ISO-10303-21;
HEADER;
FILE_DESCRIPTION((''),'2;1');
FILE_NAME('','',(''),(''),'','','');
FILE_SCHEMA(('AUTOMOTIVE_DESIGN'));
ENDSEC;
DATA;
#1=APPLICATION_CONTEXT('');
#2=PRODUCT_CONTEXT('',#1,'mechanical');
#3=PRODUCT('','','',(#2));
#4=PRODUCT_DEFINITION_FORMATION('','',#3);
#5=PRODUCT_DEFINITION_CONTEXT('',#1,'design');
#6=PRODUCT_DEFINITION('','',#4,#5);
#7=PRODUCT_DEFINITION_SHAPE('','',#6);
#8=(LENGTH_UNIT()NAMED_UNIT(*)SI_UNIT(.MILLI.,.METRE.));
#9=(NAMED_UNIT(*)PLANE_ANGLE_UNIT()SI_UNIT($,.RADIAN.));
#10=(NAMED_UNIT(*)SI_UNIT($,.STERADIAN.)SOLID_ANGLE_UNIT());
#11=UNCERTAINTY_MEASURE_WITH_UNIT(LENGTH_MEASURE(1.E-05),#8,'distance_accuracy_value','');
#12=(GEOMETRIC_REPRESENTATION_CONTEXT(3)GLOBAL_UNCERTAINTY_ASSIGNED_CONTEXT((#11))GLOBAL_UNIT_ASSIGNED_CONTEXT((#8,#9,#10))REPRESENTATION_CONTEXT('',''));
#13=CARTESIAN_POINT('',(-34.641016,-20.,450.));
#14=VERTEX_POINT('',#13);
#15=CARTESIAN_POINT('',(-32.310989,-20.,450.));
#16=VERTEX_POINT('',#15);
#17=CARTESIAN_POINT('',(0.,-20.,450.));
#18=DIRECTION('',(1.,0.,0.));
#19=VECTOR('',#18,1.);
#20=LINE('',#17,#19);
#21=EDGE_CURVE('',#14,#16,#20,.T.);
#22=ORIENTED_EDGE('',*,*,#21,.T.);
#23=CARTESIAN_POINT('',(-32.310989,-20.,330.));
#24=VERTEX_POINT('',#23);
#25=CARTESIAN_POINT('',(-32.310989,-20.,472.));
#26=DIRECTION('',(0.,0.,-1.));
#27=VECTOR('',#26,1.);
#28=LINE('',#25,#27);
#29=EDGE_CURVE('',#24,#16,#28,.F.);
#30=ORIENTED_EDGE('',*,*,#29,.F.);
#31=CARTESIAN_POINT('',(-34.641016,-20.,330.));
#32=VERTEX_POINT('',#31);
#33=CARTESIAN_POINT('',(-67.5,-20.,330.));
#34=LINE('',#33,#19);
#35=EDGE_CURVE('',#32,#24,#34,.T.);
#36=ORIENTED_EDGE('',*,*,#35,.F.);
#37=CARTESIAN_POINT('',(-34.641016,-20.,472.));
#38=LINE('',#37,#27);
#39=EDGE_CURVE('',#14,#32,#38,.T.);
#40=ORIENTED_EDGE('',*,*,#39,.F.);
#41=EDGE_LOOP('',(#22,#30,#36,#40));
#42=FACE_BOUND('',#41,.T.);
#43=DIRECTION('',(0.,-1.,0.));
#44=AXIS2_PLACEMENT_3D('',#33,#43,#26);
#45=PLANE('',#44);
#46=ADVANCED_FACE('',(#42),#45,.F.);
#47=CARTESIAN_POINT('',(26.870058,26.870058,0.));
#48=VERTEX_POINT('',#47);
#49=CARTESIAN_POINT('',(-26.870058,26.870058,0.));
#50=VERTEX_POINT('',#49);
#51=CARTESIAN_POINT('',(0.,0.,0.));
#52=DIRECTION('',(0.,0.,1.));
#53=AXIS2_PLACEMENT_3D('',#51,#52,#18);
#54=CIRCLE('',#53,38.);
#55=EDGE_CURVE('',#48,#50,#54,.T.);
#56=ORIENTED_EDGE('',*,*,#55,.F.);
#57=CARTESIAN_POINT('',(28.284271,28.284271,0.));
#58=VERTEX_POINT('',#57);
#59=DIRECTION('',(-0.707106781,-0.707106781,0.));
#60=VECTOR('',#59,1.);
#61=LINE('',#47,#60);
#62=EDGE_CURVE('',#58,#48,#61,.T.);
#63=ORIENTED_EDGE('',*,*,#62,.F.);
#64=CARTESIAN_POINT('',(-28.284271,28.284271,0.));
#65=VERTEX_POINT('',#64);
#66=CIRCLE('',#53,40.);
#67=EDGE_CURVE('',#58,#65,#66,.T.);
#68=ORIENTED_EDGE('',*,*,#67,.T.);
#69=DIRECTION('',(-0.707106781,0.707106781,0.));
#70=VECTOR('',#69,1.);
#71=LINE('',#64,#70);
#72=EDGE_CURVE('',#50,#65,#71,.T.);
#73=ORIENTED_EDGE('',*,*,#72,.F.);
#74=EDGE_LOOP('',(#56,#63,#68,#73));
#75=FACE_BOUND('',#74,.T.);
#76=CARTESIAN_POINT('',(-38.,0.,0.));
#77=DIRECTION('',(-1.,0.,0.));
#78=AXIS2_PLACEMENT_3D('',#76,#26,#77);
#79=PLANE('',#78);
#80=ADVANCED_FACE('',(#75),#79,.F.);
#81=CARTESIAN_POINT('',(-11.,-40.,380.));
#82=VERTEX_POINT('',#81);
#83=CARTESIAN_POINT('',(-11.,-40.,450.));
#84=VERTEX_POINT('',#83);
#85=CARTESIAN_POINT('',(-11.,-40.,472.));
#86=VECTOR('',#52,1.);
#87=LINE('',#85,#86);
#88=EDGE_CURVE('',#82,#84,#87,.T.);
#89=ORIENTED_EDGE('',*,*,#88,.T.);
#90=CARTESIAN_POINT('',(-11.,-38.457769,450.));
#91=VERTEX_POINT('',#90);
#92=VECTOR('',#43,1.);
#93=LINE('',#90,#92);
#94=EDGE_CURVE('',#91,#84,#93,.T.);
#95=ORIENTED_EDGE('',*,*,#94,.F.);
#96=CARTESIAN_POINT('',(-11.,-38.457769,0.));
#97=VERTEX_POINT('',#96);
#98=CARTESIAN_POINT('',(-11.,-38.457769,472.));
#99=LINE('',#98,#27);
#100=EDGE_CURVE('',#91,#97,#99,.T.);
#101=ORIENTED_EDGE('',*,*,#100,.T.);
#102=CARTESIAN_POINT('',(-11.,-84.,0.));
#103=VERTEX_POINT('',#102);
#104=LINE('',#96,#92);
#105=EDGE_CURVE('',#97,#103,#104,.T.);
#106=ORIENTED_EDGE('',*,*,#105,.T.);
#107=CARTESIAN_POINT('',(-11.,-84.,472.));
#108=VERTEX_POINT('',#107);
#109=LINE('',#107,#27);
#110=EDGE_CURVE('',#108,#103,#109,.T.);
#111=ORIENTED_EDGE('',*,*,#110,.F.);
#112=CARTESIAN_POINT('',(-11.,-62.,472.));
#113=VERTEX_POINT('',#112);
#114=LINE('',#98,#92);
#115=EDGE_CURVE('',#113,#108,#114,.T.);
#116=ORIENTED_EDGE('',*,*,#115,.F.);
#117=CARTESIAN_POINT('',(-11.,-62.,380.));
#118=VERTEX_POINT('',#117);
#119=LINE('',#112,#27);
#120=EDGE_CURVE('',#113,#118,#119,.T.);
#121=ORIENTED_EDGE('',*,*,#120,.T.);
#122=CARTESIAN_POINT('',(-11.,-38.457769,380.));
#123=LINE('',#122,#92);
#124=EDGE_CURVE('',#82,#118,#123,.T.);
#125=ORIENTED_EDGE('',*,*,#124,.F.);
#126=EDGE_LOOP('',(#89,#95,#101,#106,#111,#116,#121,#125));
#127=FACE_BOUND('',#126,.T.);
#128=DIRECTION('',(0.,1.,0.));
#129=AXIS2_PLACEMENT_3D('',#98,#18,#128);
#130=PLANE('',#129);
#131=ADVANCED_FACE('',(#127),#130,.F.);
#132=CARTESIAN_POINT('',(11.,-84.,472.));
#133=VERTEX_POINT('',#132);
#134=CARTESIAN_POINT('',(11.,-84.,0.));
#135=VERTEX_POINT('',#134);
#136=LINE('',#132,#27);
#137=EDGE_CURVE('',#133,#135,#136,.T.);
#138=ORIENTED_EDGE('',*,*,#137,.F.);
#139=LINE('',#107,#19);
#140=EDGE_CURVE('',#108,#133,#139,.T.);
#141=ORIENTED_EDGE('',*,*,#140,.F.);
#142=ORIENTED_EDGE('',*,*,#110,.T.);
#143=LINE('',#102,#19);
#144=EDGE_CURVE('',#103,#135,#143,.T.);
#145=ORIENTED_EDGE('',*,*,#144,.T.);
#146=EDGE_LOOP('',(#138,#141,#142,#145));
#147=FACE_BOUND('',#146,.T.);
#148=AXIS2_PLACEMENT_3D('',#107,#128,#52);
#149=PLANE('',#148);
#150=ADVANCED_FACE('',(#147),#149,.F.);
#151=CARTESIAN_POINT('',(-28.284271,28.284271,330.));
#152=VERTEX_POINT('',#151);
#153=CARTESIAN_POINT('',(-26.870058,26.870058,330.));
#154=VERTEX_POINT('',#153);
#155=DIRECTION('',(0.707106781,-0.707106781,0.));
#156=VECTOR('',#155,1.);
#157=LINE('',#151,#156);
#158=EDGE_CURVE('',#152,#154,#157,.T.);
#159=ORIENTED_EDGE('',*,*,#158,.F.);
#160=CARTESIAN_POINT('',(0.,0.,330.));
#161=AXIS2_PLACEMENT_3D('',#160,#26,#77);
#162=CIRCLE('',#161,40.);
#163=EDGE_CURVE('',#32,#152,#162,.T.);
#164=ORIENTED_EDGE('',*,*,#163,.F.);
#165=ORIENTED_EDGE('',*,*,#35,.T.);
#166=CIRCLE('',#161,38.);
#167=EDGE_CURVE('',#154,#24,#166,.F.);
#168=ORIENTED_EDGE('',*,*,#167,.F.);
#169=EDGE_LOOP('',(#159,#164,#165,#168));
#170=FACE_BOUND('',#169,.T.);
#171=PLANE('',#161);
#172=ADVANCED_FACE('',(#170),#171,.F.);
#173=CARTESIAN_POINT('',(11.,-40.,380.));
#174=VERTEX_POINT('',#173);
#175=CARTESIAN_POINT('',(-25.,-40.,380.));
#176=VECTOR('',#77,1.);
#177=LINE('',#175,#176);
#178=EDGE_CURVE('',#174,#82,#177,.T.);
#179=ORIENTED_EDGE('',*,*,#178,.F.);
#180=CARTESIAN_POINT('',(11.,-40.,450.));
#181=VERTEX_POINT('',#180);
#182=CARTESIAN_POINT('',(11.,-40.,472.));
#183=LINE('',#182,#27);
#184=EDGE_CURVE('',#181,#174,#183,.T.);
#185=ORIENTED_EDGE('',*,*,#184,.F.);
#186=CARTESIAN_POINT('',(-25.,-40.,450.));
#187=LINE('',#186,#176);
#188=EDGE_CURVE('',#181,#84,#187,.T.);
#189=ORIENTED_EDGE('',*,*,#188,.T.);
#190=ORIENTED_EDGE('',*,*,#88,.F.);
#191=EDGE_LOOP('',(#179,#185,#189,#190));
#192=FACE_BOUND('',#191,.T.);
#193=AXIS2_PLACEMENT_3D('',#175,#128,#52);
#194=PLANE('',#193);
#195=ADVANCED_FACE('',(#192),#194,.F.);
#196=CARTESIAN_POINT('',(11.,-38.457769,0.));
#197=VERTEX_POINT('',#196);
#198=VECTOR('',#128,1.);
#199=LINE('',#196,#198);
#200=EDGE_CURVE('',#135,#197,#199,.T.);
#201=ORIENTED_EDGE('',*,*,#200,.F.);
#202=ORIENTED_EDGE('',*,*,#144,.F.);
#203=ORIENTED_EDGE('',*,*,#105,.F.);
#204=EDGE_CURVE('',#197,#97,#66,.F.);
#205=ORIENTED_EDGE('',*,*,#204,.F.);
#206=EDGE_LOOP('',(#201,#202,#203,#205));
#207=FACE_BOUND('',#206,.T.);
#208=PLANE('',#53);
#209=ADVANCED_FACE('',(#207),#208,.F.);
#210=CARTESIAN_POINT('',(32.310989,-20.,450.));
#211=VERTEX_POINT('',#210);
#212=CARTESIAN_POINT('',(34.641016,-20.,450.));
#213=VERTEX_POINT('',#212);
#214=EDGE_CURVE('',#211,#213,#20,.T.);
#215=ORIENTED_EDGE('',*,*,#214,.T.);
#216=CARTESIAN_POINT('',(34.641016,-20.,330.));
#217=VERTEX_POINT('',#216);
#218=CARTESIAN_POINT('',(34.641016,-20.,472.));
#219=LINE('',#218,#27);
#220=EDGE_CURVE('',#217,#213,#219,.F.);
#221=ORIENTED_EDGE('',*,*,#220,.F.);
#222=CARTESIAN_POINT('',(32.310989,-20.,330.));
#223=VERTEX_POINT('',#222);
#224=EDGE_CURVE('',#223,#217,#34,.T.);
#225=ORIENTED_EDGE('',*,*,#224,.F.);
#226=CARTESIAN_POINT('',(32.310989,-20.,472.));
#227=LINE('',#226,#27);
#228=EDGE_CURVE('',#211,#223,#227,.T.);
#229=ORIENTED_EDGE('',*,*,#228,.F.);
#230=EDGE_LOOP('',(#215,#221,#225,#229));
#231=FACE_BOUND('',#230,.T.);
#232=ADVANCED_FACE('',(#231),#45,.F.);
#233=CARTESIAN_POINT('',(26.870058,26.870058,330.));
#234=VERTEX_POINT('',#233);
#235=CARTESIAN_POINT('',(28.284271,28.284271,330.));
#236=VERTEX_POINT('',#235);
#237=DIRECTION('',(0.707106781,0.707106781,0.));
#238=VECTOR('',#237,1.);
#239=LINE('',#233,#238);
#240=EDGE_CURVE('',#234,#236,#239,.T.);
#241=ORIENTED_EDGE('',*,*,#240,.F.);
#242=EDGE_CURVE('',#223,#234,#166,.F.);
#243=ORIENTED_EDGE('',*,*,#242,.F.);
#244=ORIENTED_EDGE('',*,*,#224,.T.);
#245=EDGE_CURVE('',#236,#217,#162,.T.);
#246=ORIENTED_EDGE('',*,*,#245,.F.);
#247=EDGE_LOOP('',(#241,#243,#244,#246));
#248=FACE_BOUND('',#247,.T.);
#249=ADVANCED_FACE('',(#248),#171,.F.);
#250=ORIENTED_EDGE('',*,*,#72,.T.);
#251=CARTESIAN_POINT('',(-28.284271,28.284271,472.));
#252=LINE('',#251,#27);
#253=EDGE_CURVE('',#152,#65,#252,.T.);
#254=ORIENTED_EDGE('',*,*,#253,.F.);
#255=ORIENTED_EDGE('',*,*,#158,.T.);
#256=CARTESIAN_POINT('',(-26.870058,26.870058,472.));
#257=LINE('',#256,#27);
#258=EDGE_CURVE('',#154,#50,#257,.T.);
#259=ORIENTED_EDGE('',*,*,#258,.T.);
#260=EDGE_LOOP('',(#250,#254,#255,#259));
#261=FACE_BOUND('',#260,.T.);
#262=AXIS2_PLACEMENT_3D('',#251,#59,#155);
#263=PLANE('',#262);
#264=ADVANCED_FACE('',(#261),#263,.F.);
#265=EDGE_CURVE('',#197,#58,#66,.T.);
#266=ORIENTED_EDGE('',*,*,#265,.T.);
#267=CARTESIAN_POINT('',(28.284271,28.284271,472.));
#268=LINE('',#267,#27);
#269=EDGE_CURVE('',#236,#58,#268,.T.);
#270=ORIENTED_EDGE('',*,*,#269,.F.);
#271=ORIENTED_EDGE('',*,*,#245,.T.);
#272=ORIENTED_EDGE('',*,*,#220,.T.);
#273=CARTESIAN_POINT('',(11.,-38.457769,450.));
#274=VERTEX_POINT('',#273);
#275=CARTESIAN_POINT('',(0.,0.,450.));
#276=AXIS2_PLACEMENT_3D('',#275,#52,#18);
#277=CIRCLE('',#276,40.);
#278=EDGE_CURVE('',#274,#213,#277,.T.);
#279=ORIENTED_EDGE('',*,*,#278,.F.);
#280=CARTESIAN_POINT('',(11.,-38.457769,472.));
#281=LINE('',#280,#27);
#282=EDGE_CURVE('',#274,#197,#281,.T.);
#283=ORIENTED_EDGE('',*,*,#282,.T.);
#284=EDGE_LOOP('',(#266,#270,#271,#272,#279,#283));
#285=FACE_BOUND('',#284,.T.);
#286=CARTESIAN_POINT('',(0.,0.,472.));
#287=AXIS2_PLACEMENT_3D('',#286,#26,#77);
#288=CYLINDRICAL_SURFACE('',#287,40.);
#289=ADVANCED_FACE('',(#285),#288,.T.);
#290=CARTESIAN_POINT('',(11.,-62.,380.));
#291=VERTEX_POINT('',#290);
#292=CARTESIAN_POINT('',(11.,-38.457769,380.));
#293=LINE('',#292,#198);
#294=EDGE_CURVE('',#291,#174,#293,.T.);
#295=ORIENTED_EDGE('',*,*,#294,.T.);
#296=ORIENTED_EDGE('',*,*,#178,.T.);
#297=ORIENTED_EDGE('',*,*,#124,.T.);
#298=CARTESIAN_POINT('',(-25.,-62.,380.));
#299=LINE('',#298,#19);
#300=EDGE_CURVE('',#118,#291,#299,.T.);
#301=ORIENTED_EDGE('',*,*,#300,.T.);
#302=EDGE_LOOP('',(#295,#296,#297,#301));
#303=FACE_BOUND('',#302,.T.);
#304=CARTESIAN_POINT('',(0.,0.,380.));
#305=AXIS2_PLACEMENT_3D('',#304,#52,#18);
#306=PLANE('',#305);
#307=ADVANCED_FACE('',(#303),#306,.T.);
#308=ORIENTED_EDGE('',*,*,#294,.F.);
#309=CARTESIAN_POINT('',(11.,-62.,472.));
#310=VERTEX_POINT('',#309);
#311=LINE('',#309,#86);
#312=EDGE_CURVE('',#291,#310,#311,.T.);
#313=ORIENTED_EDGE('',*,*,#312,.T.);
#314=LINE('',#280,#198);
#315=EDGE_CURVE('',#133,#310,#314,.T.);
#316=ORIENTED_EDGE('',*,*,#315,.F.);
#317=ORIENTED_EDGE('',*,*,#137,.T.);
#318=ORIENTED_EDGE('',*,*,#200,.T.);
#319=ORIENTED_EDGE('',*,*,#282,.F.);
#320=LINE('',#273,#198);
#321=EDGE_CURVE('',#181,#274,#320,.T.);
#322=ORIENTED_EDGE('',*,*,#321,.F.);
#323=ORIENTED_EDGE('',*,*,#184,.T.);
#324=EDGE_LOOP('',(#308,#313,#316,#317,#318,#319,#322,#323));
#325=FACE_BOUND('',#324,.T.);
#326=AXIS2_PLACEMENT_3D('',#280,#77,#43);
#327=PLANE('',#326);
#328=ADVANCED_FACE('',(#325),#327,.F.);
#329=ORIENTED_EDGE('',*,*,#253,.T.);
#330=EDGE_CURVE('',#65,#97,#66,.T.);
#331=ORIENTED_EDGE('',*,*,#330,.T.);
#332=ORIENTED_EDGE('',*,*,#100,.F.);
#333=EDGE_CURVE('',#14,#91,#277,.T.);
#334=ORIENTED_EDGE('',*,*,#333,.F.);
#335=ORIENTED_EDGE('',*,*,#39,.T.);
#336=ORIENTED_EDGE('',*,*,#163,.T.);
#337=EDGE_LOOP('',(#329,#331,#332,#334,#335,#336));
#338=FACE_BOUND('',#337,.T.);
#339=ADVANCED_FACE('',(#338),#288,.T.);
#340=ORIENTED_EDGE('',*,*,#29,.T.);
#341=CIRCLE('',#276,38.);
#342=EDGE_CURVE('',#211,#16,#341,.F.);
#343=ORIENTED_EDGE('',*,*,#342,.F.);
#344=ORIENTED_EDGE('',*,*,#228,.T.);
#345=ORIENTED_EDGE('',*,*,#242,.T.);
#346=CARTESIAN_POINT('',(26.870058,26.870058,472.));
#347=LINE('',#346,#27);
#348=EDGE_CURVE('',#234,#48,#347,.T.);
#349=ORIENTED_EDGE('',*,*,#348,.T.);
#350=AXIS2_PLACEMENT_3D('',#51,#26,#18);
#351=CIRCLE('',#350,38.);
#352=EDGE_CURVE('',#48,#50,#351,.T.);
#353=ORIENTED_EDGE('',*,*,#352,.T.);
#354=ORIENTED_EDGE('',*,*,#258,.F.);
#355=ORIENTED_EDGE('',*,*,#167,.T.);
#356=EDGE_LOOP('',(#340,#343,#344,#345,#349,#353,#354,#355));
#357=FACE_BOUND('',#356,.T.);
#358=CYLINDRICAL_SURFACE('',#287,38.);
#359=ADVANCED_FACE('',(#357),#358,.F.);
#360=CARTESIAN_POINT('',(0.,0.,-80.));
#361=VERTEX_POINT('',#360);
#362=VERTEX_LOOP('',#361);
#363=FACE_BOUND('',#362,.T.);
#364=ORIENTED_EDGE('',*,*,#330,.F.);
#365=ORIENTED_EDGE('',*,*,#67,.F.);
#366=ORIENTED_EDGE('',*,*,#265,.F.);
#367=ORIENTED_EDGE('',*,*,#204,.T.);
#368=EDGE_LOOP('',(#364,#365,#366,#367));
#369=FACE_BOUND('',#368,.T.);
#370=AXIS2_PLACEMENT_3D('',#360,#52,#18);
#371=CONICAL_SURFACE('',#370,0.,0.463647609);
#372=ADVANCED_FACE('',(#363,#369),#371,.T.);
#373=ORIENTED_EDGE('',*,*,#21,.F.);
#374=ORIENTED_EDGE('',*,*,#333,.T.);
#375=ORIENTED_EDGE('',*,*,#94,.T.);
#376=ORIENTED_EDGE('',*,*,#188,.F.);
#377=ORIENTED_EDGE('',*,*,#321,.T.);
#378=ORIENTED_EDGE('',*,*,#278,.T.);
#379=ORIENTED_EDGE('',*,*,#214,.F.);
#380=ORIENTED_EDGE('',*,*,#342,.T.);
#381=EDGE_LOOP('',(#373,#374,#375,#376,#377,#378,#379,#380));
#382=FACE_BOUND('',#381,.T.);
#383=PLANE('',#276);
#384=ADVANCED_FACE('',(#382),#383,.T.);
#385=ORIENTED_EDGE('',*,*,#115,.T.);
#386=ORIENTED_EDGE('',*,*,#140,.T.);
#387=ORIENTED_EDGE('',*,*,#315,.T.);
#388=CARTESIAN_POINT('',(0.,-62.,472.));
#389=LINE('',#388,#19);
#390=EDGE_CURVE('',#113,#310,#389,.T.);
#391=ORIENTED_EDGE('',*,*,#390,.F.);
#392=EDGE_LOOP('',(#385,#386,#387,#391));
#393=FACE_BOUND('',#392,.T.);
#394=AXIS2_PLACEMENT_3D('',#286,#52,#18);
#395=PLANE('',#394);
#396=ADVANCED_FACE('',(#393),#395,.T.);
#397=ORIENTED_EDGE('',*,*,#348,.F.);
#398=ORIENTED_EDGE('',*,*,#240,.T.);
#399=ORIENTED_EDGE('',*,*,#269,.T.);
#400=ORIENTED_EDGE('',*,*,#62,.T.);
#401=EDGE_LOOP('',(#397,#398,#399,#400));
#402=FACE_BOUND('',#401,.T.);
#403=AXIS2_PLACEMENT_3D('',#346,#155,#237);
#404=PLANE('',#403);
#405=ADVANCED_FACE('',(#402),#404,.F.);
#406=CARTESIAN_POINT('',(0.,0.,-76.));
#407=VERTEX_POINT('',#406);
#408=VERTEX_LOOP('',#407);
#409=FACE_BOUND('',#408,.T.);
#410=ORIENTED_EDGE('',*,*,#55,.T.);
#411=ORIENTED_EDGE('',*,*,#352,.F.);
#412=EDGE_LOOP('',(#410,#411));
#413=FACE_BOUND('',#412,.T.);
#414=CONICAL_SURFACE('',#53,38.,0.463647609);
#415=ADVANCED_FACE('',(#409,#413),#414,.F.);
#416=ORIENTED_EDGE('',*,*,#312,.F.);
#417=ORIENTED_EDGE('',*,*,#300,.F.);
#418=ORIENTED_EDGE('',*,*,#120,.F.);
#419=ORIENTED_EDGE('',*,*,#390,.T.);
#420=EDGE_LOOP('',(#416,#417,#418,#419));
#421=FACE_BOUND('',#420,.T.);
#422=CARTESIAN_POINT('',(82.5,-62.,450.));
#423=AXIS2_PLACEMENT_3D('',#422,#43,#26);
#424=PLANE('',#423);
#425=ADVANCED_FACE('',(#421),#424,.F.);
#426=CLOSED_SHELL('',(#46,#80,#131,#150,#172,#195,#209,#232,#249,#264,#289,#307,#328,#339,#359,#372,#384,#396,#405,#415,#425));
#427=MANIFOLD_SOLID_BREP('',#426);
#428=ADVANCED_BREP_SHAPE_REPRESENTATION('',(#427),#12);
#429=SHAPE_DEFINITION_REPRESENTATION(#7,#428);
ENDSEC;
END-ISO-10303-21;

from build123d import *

# Parameters (mm, degrees)
BOSS_EXTRU_1_DEPTH      = 472
ESQUISSE2_W             = 165
ESQUISSE2_H             = 124
ENL_V_MAT_EXTRU_1_DEPTH = 22
ESQUISSE3_W             = 50
ESQUISSE3_H             = 22
ENL_V_MAT_EXTRU_2_DEPTH = 70
ENL_V_MAT_EXTRU_3_DEPTH = 120


with BuildPart() as part:
    # Esquisse1 → Boss.-Extru.1 (new body)
    with BuildSketch(Plane.XY):
        with BuildLine():
            Line((-11, -38.457769046), (-11, -84))
            Line((-11, -84), (11, -84))
            Line((11, -84), (11, -38.457769046))
            ThreePointArc((11, -38.457769046), (38.722583559, -10.028036822), (28.284271247, 28.284271247))
            Line((28.284271247, 28.284271247), (26.870057685, 26.870057685))
            ThreePointArc((26.870057685, 26.870057685), (0, -38), (-26.870057685, 26.870057685))
            Line((-26.870057685, 26.870057685), (-28.284271247, 28.284271247))
            ThreePointArc((-28.284271247, 28.284271247), (-38.722583559, -10.028036822), (-11, -38.457769046))
        make_face()
    extrude(amount=BOSS_EXTRU_1_DEPTH)

    # Esquisse2 → Enlèv. mat.-Extru.1 (cut)
    with BuildSketch(Plane.XY.offset(472)):
        Rectangle(ESQUISSE2_W, ESQUISSE2_H)
    extrude(amount=-ENL_V_MAT_EXTRU_1_DEPTH, mode=Mode.SUBTRACT)

    # Esquisse3 → Enlèv. mat.-Extru.2 (cut)
    with BuildSketch(Plane.XY.offset(450)):
        with Locations((0, -51)):
            Rectangle(ESQUISSE3_W, ESQUISSE3_H)
    extrude(amount=-ENL_V_MAT_EXTRU_2_DEPTH, mode=Mode.SUBTRACT)

    # Esquisse4 → Enlèv. mat.-Extru.3 (cut)
    with BuildSketch(Plane.XY.offset(450)):
        Polygon((-67.5, 20), (-67.5, -20), (67.5, -20), (67.5, 20), (67.5, 60), (-67.5, 60), align=None)
    extrude(amount=-ENL_V_MAT_EXTRU_3_DEPTH, mode=Mode.SUBTRACT)

    # Esquisse6 → Révolution1 (revolve)
    with BuildSketch(Plane(origin=(0, 0, 0), x_dir=(1, 0, 0), z_dir=(0, 1, 0)), mode=Mode.PRIVATE) as r_volution1_sk:
        Polygon((0, 80), (-40, 0), (-38, 0), (0, 76), align=None)
    revolve(r_volution1_sk.sketch.rotate(Axis((0, 0, 0), (0, 0, -1)), 180), axis=Axis((0, 0, 0), (0, 0, -1)))


solid = part.part
